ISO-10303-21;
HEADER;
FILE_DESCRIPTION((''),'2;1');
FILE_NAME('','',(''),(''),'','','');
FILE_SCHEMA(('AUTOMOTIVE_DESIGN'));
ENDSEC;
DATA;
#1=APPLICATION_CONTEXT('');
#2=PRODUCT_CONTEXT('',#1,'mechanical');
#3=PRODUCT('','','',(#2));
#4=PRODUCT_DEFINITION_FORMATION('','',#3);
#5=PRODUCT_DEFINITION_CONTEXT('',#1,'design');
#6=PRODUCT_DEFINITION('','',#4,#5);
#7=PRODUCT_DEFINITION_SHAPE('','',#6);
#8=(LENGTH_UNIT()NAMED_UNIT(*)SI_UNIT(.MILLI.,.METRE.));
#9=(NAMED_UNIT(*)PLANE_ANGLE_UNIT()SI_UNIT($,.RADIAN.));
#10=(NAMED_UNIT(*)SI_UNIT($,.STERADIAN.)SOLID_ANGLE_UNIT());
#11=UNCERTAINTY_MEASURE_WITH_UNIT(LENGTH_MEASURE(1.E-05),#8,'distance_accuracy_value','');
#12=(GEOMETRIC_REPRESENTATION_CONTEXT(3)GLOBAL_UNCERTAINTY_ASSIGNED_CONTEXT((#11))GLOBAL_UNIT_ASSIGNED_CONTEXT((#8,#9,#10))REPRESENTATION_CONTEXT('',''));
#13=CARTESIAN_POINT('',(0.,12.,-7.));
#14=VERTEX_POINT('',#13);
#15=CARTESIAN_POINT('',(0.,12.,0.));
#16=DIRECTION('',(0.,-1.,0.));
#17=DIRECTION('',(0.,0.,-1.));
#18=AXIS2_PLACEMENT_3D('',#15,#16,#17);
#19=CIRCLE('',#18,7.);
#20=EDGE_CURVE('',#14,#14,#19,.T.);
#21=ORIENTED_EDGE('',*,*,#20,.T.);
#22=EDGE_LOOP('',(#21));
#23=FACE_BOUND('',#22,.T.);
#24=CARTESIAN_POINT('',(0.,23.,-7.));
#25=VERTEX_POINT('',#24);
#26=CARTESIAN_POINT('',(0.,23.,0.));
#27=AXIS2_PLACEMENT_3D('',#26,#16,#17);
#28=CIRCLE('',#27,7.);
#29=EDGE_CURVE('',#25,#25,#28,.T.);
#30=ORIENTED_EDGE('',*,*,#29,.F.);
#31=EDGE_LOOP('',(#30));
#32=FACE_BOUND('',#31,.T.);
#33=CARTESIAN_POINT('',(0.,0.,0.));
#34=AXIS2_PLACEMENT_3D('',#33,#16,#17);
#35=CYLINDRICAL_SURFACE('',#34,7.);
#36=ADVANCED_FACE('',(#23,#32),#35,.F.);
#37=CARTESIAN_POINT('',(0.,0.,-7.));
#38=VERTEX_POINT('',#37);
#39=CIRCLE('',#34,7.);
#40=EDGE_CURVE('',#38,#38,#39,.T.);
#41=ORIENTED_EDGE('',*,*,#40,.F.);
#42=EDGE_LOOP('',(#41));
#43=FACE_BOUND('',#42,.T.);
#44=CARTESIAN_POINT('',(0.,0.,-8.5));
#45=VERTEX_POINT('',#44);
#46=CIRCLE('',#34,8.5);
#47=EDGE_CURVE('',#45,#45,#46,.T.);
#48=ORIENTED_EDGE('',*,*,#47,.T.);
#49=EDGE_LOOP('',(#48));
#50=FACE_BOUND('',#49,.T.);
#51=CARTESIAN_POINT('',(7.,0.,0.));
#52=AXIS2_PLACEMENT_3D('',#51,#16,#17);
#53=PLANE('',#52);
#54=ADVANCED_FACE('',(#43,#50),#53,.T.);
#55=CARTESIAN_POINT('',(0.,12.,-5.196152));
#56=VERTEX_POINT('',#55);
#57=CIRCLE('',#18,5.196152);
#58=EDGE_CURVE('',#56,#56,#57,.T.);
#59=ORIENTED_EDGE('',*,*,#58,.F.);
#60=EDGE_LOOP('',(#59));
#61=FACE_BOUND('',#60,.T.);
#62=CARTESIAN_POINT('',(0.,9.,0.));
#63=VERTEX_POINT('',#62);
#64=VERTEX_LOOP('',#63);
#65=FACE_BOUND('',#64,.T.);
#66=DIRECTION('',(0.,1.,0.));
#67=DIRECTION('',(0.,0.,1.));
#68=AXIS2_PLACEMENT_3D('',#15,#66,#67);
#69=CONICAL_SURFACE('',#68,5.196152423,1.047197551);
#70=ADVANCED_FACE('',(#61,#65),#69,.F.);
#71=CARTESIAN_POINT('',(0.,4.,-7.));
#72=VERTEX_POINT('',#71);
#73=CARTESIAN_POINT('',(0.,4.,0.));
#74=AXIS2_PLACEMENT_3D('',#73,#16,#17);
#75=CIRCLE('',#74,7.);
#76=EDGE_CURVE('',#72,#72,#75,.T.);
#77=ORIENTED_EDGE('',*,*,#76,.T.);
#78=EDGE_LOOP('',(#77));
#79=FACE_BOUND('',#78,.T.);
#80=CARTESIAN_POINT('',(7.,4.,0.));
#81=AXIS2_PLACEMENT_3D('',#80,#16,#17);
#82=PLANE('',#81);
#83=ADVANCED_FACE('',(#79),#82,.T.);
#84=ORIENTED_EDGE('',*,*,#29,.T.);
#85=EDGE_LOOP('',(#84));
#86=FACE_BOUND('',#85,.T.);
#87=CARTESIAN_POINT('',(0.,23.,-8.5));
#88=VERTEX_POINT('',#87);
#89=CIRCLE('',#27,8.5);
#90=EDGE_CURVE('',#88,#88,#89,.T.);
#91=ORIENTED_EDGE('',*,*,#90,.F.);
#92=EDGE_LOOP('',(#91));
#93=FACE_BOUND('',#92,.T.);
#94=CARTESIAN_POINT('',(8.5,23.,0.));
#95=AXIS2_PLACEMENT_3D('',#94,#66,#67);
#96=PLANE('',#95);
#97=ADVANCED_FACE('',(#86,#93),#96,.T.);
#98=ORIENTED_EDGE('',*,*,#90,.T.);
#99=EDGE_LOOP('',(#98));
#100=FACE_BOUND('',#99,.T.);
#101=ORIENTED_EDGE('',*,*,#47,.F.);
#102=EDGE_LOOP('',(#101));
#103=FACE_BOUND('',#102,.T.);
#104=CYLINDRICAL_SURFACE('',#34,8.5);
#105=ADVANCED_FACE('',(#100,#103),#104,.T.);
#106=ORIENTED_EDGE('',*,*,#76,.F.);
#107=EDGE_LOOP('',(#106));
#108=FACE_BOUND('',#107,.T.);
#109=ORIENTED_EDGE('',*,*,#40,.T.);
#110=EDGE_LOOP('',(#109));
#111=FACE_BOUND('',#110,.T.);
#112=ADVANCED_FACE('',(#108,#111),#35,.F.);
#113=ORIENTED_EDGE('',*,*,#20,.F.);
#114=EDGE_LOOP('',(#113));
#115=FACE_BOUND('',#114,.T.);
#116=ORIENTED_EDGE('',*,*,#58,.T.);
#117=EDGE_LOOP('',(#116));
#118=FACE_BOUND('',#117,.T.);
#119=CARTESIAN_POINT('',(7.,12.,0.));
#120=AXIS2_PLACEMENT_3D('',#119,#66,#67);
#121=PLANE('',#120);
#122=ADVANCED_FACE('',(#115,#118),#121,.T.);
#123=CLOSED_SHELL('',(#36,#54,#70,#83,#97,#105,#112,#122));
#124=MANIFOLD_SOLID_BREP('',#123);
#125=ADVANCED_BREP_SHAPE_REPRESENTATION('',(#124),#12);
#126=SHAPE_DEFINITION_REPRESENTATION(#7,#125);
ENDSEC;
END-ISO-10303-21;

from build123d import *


with BuildPart() as part:
    # Szkic1 → Obrót2 (revolve)
    with BuildSketch(Plane.XY):
        Polygon((8.5, 0), (8.5, 23), (7, 23), (7, 12), (5.196152423, 12), (0, 9), (0, 4), (7, 4), (7, 0), align=None)
    revolve(axis=Axis((0, 0, 0), (0, 1, 0)))


solid = part.part
